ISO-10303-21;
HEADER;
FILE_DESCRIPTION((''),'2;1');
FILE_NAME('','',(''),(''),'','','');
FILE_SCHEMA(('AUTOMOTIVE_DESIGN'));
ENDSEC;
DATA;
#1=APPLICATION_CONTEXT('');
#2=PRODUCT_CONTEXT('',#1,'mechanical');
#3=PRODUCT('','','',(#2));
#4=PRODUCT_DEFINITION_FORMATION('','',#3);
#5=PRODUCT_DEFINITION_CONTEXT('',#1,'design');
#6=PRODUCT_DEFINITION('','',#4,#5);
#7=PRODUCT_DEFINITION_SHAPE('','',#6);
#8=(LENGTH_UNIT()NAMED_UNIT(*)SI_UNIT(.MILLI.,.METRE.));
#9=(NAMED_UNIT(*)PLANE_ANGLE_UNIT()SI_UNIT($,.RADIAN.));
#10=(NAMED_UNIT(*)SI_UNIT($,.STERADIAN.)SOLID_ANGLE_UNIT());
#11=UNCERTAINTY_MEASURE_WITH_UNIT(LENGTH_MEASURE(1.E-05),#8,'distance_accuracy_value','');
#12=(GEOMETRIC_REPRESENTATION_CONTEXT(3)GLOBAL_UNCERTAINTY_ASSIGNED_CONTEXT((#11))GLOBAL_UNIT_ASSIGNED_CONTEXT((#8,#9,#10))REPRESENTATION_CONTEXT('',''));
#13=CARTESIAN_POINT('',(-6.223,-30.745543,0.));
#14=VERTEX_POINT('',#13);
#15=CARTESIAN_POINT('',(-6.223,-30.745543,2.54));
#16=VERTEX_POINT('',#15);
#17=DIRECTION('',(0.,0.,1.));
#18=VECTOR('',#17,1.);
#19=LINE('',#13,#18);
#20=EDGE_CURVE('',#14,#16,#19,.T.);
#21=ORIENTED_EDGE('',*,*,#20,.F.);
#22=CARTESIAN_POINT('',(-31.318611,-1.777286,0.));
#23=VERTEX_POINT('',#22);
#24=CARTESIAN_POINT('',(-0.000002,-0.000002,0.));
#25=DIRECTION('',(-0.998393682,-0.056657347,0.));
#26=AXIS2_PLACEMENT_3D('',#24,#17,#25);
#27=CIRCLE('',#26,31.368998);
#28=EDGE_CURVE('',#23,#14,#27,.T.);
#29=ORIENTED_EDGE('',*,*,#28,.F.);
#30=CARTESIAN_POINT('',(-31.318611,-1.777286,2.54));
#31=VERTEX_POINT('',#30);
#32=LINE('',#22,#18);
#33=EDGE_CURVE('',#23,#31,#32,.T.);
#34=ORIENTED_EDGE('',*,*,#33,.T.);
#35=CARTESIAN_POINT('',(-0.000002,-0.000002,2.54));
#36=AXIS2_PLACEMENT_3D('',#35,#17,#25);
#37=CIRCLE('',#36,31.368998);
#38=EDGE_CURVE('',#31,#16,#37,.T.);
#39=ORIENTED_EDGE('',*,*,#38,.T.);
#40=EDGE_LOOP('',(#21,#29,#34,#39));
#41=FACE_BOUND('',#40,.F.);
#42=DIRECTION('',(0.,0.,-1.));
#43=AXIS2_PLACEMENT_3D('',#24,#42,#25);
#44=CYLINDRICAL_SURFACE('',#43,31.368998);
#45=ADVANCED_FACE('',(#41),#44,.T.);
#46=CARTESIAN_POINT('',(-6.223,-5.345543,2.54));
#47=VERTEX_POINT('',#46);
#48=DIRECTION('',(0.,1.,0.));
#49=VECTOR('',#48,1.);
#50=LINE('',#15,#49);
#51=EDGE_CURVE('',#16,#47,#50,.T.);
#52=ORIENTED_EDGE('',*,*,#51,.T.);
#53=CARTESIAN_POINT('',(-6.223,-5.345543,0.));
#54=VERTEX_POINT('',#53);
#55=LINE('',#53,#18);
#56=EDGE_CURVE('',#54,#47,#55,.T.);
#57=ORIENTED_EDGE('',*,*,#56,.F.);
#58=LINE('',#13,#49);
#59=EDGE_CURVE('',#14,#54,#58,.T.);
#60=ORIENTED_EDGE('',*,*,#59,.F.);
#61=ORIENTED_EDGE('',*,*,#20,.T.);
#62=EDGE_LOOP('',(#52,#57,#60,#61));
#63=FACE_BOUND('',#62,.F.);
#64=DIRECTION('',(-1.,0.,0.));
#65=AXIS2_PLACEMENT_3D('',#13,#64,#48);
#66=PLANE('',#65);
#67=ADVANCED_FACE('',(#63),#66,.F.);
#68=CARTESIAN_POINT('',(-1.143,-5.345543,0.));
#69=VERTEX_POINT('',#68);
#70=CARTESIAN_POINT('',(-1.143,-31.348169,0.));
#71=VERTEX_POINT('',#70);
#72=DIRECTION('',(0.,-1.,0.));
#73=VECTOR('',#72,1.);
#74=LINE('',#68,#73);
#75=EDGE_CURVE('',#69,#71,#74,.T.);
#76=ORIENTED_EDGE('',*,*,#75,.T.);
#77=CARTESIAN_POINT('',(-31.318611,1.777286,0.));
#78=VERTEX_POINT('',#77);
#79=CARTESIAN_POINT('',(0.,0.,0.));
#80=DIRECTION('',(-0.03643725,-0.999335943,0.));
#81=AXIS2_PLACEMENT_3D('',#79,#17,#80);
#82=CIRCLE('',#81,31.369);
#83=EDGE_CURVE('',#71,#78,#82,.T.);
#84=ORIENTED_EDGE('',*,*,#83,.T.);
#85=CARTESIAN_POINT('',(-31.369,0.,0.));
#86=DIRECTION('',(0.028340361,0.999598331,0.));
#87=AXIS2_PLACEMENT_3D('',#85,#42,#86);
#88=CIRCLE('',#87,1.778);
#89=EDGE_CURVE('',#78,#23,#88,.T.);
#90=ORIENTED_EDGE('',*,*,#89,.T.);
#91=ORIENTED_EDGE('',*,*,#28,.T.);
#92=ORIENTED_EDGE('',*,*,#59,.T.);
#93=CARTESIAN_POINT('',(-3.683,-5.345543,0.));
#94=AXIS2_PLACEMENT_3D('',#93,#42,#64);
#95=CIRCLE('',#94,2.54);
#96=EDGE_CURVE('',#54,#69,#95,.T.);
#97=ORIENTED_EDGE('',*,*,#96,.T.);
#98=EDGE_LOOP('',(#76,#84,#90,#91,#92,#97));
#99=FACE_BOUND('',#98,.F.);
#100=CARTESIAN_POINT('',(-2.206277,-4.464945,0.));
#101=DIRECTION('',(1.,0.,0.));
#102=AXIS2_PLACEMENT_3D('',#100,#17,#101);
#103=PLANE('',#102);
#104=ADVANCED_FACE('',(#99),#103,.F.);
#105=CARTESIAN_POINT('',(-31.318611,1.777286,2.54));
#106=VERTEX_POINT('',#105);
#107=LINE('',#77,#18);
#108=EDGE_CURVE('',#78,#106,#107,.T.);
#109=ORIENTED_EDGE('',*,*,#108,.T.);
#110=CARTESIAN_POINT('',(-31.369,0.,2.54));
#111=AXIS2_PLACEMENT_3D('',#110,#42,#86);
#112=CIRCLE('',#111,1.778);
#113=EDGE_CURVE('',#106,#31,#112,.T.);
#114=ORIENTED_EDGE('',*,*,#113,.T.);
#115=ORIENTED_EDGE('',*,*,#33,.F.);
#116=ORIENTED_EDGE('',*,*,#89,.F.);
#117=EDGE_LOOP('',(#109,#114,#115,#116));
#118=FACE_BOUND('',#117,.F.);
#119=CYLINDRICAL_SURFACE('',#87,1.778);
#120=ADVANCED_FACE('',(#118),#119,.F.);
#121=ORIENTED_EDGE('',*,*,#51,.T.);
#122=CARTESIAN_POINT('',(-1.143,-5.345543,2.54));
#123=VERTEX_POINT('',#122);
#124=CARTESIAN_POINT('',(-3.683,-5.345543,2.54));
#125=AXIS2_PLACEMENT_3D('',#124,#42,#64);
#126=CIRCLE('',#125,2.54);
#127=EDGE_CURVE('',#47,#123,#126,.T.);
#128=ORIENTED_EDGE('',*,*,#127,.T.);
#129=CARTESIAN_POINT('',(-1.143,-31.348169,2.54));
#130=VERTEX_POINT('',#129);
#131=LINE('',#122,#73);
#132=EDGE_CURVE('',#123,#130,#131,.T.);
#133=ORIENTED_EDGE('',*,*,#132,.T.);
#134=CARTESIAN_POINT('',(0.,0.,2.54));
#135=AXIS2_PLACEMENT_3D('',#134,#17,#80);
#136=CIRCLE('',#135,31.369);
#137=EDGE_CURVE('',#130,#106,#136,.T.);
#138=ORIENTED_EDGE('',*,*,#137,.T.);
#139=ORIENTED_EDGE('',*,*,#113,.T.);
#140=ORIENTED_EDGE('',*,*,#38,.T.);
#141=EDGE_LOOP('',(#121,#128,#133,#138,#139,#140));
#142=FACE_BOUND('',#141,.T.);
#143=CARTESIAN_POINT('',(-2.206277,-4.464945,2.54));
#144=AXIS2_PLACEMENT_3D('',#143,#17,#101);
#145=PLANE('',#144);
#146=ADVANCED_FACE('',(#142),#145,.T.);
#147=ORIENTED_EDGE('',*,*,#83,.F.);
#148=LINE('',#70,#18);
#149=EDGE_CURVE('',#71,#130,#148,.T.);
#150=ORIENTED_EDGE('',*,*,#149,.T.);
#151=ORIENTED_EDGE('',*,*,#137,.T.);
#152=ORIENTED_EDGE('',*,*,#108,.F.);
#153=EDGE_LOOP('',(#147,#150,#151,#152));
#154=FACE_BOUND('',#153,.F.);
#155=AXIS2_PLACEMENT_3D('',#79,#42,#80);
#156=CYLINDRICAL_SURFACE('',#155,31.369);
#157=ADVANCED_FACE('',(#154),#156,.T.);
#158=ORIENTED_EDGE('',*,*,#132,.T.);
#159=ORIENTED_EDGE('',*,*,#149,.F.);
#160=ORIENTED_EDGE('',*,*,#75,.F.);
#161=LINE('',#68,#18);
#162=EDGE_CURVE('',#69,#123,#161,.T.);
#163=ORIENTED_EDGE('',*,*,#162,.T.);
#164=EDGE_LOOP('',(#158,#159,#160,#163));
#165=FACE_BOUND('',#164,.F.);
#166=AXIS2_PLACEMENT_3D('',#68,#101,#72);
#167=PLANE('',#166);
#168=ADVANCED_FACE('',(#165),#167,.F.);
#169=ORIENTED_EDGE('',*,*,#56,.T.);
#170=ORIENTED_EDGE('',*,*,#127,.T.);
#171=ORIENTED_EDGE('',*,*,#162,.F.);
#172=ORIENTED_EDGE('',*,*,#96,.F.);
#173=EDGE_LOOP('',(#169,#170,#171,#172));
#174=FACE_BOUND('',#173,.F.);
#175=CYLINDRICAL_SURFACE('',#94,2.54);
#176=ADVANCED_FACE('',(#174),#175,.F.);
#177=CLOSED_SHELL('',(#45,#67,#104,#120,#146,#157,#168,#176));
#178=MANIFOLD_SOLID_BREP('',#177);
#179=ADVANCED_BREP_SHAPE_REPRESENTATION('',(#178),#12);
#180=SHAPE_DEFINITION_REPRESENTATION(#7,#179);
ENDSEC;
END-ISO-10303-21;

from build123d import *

# Parameters (mm, degrees)
F1_DEPTH = 2.54


with BuildPart() as f1:
    # F0 (on Top) → F1 (new body)
    with BuildSketch(Plane.XY):
        with BuildLine():
            ThreePointArc((-31.318611, 1.777286), (-29.591, 0), (-31.318611, -1.777286))
            ThreePointArc((-31.318611, -1.777286), (-23.709347, -20.539743), (-6.223, -30.745543))
            Line((-6.223, -30.745543), (-6.223, -5.345543))
            ThreePointArc((-6.223, -5.345543), (-3.683, -2.805543), (-1.143, -5.345543))
            Line((-1.143, -5.345543), (-1.143, -31.348169))
            ThreePointArc((-1.143, -31.348169), (23.189717, 21.124658), (-31.318611, 1.777286))
        make_face()
    extrude(amount=F1_DEPTH)


solid = f1.part
